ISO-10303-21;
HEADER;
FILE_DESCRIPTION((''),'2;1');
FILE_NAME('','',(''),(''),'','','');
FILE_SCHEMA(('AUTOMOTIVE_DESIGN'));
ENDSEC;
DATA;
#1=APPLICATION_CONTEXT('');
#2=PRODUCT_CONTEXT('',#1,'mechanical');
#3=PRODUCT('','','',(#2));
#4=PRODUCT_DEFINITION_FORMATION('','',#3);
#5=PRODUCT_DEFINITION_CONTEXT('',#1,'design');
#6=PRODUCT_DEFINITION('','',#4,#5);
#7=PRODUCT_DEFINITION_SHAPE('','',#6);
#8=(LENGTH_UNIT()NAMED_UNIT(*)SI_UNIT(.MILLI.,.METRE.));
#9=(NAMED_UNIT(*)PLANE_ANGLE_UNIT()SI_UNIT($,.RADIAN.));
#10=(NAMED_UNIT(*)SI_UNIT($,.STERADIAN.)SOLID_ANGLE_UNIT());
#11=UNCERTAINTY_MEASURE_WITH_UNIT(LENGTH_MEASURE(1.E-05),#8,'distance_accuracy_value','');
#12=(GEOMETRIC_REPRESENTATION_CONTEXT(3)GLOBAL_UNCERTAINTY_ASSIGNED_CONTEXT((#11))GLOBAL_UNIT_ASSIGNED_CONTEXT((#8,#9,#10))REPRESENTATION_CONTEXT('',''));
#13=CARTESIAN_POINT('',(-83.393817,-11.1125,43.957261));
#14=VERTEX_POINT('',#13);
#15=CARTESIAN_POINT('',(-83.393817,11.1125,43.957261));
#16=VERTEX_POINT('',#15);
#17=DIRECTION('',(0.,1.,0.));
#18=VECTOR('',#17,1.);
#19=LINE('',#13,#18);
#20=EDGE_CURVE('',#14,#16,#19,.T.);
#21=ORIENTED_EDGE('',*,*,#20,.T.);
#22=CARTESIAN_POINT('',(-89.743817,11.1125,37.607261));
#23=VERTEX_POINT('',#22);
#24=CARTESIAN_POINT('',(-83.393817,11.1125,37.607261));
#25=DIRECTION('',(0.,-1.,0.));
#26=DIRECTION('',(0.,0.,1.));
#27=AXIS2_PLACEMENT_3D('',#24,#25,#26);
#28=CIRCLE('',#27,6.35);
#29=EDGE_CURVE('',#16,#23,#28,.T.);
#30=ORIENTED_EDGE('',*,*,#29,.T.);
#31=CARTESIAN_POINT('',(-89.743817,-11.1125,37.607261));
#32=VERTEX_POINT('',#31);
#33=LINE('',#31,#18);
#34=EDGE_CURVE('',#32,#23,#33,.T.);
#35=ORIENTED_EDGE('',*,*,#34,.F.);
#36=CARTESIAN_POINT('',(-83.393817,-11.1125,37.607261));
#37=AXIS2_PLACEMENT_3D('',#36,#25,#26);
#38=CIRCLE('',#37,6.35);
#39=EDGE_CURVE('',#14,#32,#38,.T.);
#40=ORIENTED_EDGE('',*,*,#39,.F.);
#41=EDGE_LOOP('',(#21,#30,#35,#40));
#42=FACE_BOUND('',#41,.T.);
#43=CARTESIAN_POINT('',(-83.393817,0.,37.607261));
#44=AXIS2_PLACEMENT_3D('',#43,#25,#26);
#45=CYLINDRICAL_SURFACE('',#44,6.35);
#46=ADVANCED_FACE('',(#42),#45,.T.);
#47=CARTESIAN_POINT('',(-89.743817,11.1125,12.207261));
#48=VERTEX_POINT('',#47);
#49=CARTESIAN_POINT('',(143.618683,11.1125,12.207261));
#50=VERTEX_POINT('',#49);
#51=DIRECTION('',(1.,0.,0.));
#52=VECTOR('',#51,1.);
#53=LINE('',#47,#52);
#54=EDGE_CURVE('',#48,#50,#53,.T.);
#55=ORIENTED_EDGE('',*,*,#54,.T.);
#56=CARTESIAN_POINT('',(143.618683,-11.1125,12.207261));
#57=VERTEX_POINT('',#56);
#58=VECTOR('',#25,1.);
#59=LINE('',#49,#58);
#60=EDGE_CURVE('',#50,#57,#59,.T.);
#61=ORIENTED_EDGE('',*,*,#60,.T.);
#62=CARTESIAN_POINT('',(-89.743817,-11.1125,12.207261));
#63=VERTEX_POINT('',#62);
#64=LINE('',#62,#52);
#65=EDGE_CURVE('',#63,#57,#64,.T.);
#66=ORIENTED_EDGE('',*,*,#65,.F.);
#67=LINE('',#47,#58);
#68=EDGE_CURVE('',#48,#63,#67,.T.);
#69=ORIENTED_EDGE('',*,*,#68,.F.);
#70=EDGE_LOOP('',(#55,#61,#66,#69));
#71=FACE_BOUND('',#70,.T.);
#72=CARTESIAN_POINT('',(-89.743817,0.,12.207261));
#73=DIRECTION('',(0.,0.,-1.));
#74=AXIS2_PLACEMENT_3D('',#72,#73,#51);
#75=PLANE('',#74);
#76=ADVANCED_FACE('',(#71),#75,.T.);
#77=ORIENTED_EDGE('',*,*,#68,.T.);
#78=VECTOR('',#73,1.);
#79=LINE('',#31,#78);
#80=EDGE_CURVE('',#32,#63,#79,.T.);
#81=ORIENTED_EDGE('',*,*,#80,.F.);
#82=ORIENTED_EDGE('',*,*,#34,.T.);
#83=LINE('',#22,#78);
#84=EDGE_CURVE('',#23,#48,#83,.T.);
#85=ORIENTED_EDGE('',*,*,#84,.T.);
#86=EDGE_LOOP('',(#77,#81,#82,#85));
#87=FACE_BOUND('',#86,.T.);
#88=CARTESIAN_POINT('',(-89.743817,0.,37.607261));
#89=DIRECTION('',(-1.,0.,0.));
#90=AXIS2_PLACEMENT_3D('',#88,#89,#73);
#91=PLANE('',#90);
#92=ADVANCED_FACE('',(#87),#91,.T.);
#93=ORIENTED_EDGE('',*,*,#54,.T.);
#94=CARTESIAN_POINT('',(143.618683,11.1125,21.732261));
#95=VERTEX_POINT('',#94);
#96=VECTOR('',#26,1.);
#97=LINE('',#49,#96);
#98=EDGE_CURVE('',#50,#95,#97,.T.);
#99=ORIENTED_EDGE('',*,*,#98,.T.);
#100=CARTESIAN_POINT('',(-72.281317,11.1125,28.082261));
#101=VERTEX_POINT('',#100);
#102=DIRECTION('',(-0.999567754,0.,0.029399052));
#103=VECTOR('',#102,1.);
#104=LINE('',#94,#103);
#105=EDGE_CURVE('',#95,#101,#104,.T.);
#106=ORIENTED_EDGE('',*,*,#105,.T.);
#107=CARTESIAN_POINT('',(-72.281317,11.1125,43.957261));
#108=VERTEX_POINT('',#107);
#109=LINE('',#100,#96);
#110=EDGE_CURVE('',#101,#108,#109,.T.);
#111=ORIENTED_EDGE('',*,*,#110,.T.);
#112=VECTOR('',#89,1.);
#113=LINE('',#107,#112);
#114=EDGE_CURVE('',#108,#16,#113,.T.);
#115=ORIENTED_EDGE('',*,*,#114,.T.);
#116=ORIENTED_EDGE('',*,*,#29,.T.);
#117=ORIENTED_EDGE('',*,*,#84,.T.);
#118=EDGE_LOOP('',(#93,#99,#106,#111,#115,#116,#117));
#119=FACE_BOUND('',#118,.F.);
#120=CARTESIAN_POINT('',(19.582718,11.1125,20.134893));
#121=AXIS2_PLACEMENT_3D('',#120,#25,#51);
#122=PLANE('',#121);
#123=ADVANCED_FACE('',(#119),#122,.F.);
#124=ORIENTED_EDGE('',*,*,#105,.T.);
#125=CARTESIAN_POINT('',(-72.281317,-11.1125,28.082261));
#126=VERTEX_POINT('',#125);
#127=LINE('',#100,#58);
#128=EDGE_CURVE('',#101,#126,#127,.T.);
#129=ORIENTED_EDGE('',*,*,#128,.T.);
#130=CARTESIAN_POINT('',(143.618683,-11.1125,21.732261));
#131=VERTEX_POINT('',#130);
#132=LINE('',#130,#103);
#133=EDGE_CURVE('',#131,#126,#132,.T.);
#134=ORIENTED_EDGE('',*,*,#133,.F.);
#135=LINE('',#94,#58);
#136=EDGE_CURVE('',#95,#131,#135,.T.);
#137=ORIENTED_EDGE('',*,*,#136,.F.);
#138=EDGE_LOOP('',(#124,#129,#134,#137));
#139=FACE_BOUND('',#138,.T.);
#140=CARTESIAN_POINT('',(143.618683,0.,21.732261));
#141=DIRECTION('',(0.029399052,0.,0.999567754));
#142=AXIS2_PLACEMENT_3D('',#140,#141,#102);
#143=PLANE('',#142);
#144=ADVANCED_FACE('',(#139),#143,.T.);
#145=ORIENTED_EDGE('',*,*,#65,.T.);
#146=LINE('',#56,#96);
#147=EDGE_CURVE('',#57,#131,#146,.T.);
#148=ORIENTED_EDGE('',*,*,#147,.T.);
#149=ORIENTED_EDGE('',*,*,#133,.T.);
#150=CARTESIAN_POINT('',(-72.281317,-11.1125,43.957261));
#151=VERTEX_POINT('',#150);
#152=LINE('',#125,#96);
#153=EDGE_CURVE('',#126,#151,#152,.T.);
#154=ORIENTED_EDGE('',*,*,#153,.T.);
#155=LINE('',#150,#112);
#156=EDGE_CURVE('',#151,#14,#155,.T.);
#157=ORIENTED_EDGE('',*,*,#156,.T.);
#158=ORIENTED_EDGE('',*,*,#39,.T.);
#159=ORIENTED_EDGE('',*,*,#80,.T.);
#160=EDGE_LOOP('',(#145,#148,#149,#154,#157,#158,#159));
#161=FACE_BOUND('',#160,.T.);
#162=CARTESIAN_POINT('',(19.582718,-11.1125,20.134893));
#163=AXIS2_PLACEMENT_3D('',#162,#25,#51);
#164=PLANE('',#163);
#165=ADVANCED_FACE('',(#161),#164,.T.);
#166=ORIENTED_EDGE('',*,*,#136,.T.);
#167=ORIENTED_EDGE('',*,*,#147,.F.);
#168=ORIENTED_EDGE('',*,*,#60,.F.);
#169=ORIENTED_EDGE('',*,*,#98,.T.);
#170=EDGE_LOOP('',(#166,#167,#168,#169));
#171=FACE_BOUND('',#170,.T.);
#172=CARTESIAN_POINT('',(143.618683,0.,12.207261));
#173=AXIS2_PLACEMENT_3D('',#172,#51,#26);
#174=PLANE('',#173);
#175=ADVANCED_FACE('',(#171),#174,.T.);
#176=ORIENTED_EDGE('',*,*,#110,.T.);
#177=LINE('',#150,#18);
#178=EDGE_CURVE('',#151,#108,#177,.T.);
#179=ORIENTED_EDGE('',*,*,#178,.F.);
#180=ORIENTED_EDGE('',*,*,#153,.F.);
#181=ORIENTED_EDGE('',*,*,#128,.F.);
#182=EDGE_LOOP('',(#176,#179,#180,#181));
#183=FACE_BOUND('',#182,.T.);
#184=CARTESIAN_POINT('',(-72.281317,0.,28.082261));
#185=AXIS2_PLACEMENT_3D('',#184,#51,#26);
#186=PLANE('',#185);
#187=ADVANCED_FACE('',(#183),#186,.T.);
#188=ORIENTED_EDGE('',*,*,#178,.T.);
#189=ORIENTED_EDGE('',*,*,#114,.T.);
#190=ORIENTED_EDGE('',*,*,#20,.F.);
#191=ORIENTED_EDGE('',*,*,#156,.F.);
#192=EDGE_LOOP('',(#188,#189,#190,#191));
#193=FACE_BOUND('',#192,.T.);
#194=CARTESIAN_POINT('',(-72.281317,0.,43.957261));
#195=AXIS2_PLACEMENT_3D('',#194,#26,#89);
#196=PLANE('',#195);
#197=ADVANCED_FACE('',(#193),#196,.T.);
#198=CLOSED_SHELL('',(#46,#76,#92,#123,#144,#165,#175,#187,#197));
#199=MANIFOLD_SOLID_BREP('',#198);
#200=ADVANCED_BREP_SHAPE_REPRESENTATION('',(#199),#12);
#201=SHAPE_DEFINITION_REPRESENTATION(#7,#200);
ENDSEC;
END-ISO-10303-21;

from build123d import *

# Parameters (mm, degrees)
F1_DEPTH = 11.1125


with BuildPart() as f1:
    # F0 (on Front) → F1 (new body, symmetric)
    with BuildSketch(Plane.XZ):
        with BuildLine():
            Line((-89.7438166836, 37.6072605039), (-89.7438166836, 12.2072605039))
            Line((-89.7438166836, 12.2072605039), (143.6186833164, 12.2072605039))
            Line((143.6186833164, 12.2072605039), (143.6186833164, 21.7322605039))
            Line((143.6186833164, 21.7322605039), (-72.2813166836, 28.0822605039))
            Line((-72.2813166836, 28.0822605039), (-72.2813166836, 43.9572605039))
            Line((-72.2813166836, 43.9572605039), (-83.3938166836, 43.9572605039))
            ThreePointArc((-83.3938166836, 43.9572605039), (-87.8839447442, 42.0973885645), (-89.7438166836, 37.6072605039))
        make_face()
    extrude(amount=F1_DEPTH, both=True)


solid = f1.part
